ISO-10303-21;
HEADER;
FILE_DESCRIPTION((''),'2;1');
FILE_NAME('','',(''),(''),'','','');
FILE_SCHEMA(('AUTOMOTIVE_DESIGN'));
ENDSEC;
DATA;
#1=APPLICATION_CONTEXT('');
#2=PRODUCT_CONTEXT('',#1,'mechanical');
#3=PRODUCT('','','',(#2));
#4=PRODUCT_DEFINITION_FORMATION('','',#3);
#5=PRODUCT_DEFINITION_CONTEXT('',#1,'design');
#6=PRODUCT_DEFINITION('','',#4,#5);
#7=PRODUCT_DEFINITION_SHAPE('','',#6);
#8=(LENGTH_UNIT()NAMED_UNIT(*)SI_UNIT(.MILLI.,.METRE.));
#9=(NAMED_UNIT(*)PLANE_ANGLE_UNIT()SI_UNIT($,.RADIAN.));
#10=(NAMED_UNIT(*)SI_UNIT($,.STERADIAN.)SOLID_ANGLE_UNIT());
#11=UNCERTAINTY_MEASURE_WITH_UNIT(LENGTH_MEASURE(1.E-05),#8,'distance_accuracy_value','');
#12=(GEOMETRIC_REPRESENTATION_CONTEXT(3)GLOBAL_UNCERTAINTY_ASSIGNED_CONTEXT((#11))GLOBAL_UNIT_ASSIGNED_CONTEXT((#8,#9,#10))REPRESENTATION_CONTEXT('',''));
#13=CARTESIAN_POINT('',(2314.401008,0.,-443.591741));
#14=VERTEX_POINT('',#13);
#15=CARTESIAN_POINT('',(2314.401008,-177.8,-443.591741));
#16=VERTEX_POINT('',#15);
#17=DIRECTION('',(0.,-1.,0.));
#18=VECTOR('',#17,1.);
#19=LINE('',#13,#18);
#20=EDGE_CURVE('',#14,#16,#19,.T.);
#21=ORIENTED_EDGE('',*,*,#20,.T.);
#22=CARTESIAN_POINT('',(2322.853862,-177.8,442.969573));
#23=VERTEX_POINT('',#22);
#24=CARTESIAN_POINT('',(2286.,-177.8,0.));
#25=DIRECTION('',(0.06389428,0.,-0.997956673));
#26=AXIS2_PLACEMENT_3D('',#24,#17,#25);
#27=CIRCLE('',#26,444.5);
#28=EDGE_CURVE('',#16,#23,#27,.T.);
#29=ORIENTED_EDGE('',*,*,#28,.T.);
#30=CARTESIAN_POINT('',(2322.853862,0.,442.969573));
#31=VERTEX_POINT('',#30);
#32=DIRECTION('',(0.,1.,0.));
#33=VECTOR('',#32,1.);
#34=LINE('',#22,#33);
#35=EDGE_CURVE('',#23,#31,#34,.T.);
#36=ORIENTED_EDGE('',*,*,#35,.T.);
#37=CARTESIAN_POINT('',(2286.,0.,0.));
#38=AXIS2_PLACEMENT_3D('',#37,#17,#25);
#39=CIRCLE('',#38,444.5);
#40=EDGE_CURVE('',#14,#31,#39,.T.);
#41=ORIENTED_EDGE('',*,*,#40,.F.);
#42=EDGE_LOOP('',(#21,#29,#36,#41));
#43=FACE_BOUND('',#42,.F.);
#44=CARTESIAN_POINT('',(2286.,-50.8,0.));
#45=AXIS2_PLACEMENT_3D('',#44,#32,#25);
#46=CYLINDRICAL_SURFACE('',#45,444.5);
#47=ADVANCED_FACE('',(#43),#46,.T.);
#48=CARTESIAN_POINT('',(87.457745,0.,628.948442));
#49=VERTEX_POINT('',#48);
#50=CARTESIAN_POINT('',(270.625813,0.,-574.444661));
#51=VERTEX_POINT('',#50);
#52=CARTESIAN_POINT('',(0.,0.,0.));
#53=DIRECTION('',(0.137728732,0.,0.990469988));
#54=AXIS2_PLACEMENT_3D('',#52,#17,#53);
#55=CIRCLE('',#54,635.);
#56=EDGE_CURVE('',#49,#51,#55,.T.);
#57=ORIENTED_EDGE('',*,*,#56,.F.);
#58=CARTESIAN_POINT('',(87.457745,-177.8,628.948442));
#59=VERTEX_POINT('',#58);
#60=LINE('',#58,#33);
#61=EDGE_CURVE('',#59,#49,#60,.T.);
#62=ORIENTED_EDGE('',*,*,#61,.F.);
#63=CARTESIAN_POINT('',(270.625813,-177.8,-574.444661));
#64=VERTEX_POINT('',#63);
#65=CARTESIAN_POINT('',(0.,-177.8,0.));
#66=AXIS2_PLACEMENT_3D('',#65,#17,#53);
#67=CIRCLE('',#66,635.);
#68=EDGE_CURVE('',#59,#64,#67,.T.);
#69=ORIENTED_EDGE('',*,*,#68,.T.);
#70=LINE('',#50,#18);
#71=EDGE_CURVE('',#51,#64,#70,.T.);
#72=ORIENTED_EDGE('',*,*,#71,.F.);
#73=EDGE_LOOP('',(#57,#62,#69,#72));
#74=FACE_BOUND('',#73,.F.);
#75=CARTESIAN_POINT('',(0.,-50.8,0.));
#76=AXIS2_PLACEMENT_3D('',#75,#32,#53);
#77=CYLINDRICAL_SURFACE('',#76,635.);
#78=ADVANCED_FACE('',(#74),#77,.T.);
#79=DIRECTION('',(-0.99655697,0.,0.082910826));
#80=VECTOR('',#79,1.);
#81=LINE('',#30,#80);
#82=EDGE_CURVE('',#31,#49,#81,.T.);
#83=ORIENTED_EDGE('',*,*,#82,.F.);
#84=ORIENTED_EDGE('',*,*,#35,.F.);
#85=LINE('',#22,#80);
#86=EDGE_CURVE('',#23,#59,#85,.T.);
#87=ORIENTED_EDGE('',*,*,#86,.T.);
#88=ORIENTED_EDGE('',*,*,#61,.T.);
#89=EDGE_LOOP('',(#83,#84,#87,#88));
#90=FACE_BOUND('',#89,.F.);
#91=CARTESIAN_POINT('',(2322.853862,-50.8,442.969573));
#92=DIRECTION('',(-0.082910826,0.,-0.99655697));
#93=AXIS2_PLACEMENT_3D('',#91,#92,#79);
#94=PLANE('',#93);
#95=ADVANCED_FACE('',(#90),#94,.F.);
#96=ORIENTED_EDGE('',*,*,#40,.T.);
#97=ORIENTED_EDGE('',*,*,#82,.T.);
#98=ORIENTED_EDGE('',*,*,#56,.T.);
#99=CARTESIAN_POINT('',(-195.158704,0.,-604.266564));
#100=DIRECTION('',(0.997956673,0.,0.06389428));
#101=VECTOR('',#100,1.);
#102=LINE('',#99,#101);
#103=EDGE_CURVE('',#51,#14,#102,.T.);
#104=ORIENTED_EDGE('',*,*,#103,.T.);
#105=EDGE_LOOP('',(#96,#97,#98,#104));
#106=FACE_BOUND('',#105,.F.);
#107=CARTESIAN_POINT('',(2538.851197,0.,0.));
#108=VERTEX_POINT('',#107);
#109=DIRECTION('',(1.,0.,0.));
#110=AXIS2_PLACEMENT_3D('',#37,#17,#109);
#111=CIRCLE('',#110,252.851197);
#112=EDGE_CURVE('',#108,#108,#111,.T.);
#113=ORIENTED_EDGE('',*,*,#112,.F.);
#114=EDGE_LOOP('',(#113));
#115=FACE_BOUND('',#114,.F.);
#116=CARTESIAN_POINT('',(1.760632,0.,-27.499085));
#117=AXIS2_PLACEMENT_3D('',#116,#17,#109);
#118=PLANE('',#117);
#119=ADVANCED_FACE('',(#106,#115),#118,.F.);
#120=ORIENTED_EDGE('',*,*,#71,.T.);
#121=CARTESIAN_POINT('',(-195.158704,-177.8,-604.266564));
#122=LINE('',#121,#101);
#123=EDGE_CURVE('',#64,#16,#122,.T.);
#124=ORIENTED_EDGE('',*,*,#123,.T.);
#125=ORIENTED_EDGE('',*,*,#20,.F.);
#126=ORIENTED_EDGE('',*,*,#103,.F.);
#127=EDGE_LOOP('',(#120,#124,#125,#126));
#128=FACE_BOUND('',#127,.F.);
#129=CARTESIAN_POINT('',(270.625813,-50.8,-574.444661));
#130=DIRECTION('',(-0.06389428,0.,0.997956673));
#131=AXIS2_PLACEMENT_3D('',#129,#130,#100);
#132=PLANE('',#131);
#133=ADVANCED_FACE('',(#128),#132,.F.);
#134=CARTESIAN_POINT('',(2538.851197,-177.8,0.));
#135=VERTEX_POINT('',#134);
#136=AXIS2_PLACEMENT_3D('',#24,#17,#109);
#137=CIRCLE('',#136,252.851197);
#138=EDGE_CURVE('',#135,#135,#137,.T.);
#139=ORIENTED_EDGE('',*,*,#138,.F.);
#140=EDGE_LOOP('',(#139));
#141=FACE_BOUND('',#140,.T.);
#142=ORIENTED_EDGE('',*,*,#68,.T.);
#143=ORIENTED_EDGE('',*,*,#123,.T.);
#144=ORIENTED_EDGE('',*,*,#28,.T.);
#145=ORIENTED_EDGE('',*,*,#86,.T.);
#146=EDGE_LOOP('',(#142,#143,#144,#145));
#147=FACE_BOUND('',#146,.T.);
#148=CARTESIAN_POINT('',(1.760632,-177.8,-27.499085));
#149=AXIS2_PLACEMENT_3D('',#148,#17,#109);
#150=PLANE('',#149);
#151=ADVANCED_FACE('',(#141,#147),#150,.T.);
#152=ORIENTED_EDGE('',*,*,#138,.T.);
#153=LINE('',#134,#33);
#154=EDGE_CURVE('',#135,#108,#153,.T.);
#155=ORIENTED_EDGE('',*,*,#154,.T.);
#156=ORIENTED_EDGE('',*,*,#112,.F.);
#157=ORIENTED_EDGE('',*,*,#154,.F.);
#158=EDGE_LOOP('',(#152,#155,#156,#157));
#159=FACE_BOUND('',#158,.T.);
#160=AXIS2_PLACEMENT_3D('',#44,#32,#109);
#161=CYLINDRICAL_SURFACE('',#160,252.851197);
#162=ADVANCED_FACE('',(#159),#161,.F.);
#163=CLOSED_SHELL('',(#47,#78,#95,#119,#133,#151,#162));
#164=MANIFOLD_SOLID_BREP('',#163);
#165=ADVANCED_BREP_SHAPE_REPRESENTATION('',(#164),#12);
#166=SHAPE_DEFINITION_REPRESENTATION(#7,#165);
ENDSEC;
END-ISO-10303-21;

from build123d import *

# Parameters (mm, degrees)
F0_R     = 355.7076879014
F0_R_2   = 252.8511966315
F1_DEPTH = 50.8
F2_DEPTH = 127


with BuildPart() as f1:
    # F0 (on Front) → F1 (new body)
    with BuildSketch(Plane.XZ):
        with BuildLine():
            ThreePointArc((270.6258134175, -574.444661488), (536.2240163962, -340.1305693994), (635, 0))
            ThreePointArc((635, 0), (478.9366700197, 416.9468384704), (87.457744534, 628.9484421803))
            ThreePointArc((87.457744534, 628.9484421803), (-618.9545112294, 141.846089226), (-195.1587040305, -604.2665638947))
            Line((-195.1587040305, -604.2665638947), (270.6258134175, -574.444661488))
        make_face()
        Circle(F0_R, mode=Mode.SUBTRACT)
        with BuildLine():
            ThreePointArc((87.457744534, 628.9484421803), (478.9366700197, 416.9468384704), (635, 0))
            ThreePointArc((635, 0), (536.2240163962, -340.1305693994), (270.6258134175, -574.444661488))
            Line((270.6258134175, -574.444661488), (2314.4010075815, -443.5917410957))
            ThreePointArc((2314.4010075815, -443.5917410957), (1841.5202023269, 4.2378603641), (2322.8538620739, 442.9695732782))
            Line((2322.8538620739, 442.9695732782), (87.457744534, 628.9484421803))
        make_face()
        with BuildLine():
            ThreePointArc((-195.1587040305, -604.2665638947), (40.5728679735, -633.7024872796), (270.6258134175, -574.444661488))
            Line((270.6258134175, -574.444661488), (-195.1587040305, -604.2665638947))
        make_face()
        with BuildLine():
            ThreePointArc((2730.5, 0), (2613.0793418208, 300.9972660243), (2322.8538620739, 442.9695732782))
            ThreePointArc((2322.8538620739, 442.9695732782), (1841.5202023269, 4.2378603641), (2314.4010075815, -443.5917410957))
            ThreePointArc((2314.4010075815, -443.5917410957), (2610.1947700611, -304.101958338), (2730.5, 0))
        make_face()
        with Locations((2286, 0)):
            Circle(F0_R_2, mode=Mode.SUBTRACT)
        Circle(F0_R)
    extrude(amount=F1_DEPTH)

    # F2 (add): a face of the model
    f2_faces = [f1.faces().sort_by_distance(p)[0] for p in [
        (870.0059468679, -50.8, 7.3992180839),
    ]]
    extrude(f2_faces, amount=F2_DEPTH)


solid = f1.part
